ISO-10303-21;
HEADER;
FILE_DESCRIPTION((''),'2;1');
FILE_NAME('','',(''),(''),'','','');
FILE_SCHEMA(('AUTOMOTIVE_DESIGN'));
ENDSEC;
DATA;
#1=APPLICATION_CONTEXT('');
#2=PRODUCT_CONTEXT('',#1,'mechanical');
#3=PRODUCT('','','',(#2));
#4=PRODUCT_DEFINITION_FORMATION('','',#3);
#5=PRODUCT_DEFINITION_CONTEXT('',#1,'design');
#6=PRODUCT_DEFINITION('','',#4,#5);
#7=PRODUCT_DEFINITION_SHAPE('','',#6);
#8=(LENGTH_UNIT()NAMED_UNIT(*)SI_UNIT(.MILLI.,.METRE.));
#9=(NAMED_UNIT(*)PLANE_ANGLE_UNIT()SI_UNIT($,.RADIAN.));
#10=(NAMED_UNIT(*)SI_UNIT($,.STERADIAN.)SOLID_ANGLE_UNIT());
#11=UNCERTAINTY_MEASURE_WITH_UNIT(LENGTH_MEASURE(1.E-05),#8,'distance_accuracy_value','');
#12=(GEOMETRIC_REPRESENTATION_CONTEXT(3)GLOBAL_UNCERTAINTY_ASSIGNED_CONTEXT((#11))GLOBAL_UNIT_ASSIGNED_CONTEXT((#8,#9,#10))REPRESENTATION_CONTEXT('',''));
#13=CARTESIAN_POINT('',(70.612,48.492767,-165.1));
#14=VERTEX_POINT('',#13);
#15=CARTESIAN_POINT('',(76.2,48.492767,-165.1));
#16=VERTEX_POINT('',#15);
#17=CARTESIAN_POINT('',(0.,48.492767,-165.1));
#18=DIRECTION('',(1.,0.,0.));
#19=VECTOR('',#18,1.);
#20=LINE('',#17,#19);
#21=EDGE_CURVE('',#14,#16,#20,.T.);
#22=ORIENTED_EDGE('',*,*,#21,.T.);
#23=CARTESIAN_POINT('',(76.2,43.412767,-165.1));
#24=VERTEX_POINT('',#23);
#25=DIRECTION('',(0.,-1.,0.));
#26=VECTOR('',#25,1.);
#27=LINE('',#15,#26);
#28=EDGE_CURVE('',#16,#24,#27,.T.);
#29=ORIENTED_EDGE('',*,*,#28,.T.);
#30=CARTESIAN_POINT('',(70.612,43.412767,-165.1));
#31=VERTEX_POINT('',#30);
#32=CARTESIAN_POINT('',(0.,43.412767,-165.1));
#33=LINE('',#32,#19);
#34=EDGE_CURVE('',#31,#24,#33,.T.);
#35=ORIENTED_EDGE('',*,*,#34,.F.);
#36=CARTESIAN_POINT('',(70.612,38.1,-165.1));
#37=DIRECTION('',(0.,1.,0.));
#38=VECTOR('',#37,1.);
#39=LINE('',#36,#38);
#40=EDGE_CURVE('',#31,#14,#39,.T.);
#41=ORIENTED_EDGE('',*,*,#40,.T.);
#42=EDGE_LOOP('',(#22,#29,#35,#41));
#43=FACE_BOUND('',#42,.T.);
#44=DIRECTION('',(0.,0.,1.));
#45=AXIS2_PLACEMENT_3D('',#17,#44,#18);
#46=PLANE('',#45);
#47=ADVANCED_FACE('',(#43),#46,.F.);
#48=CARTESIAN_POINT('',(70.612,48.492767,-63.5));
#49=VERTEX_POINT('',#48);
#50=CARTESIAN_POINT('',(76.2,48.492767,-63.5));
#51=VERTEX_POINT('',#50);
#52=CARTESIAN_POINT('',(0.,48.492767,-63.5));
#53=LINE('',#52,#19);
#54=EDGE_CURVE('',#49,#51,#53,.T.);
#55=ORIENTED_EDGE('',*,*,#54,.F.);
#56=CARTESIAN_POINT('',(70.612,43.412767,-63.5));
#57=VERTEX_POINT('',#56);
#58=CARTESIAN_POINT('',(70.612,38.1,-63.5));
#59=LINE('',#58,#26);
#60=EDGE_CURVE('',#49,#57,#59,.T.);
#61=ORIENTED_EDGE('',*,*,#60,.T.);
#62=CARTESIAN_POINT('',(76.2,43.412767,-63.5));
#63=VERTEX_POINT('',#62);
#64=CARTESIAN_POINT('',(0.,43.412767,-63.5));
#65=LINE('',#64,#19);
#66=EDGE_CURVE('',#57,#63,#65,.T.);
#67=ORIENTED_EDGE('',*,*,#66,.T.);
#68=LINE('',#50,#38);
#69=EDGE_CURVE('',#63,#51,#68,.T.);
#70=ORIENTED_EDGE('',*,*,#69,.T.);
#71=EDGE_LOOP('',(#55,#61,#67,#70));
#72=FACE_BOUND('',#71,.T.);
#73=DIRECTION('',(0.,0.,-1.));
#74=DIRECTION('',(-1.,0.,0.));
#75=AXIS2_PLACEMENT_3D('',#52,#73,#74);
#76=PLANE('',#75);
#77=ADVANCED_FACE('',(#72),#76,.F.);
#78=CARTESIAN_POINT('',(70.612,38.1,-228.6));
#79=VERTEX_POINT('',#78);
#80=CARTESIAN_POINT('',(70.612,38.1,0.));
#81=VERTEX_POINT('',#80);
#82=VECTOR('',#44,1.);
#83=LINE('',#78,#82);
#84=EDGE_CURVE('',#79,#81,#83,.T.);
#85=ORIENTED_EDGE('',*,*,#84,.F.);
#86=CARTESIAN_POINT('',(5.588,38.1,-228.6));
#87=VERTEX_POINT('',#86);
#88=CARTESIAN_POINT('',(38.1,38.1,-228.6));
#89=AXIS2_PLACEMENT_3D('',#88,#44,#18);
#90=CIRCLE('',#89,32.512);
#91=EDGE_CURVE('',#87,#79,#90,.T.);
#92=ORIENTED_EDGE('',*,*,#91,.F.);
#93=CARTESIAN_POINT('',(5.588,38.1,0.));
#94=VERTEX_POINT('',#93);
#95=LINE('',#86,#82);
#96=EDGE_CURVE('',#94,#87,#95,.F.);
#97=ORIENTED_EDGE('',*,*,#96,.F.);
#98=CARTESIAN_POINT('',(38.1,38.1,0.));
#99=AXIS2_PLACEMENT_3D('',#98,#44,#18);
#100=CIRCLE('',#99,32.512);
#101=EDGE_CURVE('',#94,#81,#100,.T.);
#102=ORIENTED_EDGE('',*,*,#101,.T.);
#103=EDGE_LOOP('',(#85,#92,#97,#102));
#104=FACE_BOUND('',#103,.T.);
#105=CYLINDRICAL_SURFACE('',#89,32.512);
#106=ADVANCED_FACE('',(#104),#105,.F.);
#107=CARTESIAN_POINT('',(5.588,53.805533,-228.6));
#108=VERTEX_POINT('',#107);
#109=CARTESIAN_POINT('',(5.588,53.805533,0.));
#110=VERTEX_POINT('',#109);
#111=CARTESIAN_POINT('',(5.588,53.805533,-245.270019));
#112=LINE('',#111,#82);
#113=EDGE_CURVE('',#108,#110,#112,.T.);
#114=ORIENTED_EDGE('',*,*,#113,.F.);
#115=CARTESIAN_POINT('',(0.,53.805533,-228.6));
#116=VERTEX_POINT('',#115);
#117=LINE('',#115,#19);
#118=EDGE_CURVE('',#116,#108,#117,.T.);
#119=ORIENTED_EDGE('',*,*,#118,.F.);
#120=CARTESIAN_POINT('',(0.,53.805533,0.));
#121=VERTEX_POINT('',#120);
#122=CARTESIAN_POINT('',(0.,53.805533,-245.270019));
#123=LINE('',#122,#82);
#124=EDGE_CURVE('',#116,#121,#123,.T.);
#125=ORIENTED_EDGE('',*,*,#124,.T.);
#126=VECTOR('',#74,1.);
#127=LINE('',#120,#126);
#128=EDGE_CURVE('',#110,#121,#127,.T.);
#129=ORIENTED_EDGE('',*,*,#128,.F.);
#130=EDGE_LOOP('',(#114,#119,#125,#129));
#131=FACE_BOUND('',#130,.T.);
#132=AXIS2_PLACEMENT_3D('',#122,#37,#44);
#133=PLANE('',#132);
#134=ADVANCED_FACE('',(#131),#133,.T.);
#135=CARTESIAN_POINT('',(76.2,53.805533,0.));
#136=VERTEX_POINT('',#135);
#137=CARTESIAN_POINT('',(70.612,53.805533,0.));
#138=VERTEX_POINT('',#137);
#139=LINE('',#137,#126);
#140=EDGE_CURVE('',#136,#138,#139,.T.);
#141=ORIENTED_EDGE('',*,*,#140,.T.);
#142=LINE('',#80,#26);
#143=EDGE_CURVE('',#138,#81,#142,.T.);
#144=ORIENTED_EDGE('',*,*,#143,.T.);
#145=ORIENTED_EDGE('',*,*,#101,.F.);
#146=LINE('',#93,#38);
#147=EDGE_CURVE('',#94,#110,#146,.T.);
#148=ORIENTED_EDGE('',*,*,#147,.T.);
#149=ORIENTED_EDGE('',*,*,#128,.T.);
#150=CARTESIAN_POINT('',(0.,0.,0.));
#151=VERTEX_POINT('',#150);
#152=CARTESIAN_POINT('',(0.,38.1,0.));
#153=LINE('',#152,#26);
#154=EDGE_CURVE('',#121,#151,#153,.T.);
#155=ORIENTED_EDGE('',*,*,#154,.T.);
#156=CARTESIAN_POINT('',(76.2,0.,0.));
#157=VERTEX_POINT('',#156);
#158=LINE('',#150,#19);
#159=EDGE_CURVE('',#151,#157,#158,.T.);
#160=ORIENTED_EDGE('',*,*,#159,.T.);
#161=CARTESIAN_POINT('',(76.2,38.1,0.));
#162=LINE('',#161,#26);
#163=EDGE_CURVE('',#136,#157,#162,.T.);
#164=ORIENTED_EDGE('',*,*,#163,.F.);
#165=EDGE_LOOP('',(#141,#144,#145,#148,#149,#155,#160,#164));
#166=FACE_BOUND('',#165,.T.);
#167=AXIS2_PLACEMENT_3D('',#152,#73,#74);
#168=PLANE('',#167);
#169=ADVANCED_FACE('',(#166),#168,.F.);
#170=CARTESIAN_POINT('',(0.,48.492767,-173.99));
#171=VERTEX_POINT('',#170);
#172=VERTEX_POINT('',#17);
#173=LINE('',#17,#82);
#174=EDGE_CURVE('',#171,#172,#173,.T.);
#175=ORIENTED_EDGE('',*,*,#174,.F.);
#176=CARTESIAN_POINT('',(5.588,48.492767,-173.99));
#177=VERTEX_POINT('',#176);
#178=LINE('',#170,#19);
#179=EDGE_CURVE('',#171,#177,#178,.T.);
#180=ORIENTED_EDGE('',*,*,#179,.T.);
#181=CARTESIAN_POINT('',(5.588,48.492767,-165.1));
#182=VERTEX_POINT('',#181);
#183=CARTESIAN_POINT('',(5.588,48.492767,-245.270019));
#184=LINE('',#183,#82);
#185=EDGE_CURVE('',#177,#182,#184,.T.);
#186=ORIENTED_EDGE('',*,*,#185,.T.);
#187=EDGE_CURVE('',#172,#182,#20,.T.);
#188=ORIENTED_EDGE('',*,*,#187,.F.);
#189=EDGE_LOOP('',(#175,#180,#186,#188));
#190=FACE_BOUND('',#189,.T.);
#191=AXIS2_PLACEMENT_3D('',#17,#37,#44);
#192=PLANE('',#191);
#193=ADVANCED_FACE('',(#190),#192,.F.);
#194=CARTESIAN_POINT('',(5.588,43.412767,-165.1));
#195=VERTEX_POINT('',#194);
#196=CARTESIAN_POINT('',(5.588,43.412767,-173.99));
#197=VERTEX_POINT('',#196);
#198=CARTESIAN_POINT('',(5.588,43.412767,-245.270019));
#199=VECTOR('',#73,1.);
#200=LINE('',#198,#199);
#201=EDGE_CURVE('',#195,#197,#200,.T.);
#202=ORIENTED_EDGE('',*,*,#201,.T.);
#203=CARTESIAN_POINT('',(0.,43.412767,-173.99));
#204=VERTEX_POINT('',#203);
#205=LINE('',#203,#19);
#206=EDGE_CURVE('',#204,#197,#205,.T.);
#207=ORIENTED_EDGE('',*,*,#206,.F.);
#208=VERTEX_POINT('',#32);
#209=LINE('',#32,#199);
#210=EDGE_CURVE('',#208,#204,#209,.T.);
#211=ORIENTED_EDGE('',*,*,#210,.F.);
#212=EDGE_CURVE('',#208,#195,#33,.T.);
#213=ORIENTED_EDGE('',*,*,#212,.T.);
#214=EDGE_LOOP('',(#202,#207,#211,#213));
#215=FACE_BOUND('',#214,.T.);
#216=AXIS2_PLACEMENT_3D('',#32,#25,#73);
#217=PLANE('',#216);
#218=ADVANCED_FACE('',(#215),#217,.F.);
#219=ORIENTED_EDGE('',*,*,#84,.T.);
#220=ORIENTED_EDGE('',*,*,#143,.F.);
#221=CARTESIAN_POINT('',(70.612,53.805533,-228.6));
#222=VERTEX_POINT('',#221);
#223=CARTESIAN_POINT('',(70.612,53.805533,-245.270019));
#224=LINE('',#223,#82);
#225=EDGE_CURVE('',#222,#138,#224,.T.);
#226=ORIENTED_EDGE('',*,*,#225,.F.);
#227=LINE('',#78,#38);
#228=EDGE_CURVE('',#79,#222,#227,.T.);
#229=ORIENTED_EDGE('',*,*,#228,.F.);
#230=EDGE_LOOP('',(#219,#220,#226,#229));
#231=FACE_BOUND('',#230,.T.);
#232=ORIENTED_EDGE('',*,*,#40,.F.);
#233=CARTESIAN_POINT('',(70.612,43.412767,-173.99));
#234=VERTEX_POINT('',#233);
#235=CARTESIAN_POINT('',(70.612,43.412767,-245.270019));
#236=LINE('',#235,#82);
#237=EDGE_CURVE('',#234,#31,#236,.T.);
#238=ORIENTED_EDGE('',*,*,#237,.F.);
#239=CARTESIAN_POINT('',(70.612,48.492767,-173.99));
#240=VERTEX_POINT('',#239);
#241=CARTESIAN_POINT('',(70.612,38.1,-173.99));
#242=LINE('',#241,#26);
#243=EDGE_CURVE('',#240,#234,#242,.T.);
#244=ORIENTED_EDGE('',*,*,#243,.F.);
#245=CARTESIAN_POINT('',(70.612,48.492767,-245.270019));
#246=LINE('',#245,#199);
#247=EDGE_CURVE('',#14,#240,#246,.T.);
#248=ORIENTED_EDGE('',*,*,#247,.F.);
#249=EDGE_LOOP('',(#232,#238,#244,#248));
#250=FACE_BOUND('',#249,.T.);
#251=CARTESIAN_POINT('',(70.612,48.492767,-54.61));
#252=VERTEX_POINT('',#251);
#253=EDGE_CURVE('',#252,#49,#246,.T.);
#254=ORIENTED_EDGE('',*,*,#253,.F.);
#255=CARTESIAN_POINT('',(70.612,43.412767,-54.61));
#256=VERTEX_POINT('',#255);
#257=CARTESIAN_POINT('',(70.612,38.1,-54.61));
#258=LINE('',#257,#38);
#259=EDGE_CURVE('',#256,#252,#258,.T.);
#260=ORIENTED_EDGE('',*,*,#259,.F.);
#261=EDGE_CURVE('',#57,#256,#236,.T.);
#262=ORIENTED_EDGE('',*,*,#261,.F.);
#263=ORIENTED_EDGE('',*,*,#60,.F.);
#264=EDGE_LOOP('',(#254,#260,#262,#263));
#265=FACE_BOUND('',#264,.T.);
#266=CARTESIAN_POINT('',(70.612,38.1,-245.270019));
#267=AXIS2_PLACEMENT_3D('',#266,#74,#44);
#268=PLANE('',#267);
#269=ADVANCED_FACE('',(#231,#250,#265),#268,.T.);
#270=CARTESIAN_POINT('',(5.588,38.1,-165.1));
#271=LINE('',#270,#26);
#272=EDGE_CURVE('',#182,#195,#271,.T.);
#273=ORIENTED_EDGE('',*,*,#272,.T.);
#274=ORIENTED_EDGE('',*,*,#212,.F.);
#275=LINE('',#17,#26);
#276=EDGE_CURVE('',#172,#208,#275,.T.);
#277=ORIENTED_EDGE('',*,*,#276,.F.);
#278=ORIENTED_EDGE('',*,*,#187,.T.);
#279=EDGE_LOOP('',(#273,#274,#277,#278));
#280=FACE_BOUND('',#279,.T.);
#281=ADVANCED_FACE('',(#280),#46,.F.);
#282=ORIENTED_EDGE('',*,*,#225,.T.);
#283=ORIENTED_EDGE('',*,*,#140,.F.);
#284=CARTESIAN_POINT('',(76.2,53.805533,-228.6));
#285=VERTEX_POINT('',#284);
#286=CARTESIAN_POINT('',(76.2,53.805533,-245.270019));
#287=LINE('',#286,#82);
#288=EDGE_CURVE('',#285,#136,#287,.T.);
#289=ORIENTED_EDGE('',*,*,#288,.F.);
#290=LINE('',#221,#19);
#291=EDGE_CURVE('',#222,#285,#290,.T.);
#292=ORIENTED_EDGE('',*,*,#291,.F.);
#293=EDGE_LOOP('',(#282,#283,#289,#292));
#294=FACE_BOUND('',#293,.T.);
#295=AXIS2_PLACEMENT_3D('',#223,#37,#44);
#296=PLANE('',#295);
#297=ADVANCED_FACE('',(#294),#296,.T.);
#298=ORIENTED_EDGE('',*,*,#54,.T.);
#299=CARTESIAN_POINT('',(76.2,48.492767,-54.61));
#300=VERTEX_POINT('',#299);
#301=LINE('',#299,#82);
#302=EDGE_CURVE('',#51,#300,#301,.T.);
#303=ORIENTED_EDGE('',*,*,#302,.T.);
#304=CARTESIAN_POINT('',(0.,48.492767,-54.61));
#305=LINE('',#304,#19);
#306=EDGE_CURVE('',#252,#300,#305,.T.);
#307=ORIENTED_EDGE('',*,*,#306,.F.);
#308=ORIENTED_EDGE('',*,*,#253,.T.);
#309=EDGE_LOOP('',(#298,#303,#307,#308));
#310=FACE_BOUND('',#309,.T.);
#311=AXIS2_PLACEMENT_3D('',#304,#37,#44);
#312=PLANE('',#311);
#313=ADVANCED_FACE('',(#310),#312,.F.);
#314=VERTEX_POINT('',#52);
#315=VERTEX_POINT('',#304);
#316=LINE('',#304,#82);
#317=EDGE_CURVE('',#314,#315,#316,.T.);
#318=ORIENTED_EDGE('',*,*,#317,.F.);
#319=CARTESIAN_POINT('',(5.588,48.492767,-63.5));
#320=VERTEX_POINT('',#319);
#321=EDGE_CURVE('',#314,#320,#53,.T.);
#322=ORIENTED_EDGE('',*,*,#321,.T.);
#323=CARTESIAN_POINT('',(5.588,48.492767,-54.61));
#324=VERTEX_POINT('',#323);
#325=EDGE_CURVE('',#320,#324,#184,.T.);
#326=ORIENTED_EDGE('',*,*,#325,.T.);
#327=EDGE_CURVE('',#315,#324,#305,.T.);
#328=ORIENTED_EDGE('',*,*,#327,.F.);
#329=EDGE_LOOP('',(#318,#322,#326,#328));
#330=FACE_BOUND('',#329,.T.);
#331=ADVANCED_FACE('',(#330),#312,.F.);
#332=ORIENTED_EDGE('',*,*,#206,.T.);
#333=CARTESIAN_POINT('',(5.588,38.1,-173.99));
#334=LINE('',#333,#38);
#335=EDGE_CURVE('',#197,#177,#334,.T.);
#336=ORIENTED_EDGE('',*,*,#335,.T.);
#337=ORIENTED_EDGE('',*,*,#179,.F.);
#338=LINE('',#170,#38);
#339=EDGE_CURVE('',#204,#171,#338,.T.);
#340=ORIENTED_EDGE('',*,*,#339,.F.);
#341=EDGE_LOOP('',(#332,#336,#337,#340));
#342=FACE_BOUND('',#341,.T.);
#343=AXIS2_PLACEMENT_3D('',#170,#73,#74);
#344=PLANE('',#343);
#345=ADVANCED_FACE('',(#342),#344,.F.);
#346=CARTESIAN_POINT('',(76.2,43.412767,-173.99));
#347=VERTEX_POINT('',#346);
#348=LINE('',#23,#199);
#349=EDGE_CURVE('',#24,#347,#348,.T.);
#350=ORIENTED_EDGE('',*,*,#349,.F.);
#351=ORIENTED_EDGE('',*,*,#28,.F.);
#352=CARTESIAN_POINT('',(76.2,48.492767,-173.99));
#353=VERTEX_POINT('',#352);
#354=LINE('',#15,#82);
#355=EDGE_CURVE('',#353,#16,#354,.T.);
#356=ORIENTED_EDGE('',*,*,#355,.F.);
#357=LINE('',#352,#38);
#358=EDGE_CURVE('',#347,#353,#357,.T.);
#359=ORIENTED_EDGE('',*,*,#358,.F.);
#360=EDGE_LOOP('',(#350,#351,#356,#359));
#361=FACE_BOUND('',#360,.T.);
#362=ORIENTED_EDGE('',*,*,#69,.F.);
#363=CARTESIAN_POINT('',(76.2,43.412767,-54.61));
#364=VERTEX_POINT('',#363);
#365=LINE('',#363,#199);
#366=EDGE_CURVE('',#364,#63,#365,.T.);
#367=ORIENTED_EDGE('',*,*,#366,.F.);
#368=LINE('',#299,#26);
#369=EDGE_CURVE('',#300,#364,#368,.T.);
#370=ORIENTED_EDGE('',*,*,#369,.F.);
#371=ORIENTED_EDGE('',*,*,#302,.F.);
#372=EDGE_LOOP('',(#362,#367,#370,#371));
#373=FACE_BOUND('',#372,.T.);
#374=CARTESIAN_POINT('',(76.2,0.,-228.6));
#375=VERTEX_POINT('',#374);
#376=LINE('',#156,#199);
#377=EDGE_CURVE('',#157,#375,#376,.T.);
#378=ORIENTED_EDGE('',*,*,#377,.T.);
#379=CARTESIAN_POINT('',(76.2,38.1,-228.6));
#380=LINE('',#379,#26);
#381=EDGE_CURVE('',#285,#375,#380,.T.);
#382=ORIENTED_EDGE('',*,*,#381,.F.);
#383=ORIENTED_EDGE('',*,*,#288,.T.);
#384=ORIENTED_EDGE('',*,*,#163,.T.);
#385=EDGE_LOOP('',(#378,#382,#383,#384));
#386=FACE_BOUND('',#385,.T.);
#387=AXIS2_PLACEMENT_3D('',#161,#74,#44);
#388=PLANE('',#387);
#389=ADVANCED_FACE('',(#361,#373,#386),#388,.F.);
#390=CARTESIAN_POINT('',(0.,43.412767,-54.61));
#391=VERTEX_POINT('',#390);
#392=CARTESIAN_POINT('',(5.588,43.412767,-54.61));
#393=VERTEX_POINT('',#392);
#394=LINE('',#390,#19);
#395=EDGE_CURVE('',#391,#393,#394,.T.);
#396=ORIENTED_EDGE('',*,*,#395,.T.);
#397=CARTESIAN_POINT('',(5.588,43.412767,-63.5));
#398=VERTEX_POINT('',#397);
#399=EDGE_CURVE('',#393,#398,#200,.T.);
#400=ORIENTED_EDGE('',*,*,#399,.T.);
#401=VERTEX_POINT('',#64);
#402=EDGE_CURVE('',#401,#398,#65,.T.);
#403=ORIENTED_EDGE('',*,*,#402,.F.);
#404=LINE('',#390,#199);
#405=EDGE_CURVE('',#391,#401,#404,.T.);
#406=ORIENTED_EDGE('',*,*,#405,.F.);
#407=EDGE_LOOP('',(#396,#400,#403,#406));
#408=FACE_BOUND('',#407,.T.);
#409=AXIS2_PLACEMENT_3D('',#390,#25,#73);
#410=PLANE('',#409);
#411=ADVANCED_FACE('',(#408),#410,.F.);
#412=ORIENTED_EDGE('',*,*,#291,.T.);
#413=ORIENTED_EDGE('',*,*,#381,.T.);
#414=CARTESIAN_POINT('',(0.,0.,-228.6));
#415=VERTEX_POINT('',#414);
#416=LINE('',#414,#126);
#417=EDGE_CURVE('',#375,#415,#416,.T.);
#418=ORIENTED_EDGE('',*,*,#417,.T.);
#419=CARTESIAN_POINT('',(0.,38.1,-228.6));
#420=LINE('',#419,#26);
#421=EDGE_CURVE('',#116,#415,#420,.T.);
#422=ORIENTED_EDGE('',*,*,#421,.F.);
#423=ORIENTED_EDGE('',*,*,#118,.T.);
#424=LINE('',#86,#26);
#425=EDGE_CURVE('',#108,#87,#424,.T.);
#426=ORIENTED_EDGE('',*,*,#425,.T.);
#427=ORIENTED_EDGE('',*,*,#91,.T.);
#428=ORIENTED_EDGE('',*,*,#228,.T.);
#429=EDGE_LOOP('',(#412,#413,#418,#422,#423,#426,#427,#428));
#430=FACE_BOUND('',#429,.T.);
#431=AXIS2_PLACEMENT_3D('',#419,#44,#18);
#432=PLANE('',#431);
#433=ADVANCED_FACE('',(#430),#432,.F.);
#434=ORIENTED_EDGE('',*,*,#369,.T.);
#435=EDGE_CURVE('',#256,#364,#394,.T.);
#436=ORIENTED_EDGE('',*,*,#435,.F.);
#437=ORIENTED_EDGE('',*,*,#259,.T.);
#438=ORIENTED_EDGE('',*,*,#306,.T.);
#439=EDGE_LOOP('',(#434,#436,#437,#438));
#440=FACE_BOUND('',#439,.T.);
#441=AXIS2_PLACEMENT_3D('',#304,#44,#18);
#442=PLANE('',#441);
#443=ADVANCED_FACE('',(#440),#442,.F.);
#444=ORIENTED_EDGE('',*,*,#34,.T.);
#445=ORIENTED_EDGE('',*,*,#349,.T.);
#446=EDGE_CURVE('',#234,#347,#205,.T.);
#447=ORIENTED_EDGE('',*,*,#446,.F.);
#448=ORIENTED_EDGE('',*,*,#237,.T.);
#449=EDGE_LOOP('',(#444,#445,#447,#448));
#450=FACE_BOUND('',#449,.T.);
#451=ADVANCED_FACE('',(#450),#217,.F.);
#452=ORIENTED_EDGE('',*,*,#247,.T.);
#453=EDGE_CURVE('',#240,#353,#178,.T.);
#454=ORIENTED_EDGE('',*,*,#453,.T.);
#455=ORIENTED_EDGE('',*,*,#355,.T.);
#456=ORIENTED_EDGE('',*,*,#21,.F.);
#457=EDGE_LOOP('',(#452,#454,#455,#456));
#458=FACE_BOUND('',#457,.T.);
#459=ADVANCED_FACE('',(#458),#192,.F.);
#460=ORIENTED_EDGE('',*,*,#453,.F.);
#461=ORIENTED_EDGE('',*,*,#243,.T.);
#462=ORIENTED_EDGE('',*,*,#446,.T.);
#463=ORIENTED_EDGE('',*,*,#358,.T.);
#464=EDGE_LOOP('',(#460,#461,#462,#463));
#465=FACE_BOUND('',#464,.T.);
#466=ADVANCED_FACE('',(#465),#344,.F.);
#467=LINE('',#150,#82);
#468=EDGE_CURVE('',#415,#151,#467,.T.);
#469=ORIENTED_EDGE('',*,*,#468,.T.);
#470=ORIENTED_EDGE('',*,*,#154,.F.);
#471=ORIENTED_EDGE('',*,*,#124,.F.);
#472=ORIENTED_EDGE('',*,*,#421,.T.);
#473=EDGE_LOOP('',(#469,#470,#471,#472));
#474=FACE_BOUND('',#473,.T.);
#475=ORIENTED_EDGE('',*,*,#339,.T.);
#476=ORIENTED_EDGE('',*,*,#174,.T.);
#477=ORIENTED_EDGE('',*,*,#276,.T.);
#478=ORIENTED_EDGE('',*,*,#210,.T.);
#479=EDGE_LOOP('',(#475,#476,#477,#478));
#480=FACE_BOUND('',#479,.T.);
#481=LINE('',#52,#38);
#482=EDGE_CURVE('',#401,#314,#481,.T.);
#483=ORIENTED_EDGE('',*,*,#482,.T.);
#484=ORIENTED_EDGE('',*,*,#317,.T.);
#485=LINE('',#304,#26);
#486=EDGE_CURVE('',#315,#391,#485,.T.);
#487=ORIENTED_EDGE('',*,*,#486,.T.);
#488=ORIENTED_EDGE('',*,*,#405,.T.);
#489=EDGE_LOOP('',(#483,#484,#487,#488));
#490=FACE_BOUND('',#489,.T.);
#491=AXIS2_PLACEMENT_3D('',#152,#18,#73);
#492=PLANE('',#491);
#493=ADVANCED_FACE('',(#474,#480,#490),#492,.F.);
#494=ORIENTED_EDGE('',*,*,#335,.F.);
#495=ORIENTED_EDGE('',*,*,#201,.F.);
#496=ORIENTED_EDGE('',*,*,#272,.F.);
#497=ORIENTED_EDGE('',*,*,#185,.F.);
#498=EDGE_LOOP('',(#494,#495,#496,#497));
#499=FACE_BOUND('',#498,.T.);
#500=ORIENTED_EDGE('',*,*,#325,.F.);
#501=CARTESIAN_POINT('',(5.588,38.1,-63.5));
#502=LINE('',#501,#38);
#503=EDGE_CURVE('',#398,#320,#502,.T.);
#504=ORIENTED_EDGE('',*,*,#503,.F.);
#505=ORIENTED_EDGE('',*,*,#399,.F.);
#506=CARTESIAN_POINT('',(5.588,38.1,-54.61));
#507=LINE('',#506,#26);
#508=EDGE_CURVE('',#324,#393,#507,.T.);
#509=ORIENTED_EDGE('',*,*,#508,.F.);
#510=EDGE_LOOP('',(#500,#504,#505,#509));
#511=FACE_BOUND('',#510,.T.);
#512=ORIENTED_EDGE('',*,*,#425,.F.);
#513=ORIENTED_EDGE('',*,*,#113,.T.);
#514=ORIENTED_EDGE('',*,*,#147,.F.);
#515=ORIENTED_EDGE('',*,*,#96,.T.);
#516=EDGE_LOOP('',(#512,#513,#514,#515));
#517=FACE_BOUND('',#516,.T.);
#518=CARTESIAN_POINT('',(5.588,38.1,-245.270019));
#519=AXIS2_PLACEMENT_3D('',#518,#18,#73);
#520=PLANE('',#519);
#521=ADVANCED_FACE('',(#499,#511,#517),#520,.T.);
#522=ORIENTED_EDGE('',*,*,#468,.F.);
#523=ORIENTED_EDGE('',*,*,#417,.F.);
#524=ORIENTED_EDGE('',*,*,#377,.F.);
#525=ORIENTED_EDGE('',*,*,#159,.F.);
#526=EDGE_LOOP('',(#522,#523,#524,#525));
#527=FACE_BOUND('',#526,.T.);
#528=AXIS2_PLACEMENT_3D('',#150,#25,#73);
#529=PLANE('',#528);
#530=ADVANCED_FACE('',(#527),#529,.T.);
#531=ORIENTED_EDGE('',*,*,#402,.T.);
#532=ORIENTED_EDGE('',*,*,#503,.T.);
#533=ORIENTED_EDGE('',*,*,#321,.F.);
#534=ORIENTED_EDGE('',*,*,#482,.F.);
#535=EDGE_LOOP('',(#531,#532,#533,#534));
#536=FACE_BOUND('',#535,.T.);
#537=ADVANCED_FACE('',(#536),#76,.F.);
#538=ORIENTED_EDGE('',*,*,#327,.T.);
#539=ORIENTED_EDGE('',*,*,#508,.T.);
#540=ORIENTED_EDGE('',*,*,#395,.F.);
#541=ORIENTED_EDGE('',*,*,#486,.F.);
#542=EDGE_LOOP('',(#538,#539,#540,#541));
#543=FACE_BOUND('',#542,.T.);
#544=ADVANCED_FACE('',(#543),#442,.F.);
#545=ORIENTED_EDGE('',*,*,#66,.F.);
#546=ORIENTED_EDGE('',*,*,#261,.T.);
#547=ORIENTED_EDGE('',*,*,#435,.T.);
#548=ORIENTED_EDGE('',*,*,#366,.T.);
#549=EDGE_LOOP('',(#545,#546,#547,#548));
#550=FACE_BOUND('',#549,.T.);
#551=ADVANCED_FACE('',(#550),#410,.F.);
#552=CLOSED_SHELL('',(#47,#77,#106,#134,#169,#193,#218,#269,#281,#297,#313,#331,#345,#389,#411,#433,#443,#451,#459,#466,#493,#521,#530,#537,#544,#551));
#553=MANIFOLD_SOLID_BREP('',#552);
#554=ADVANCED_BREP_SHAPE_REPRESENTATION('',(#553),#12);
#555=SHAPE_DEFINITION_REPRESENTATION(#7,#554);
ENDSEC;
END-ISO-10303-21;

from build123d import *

# Parameters (mm, degrees)
SKETCH1_W           = 76.2
SKETCH1_H           = 228.6
BOSS_EXTRUDE1_DEPTH = 38.1
SKETCH2_R           = 32.512
CUT_EXTRUDE2_DEPTH  = 244.959033446
SKETCH3_W           = 5.588
SKETCH3_H           = 15.705533419
BOSS_EXTRUDE2_DEPTH = 228.6
SKETCH4_W           = 8.89
SKETCH4_H           = 5.08
CUT_EXTRUDE3_DEPTH  = 247.899646469


with BuildPart() as part:
    # Sketch1 → Boss-Extrude1 (new body)
    with BuildSketch(Plane(origin=(0, 0, 0), x_dir=(1, 0, 0), z_dir=(0, 1, 0))):
        with Locations((38.1, 114.3)):
            Rectangle(SKETCH1_W, SKETCH1_H)
    extrude(amount=BOSS_EXTRUDE1_DEPTH)

    # Sketch2 → Cut-Extrude2 (cut, through all)
    with BuildSketch(Plane.XY):
        with Locations((38.1, 38.1)):
            Circle(SKETCH2_R)
    extrude(amount=-CUT_EXTRUDE2_DEPTH, mode=Mode.SUBTRACT)

    # Sketch3 → Boss-Extrude2 (add)
    with BuildSketch(Plane.XY):
        with Locations((2.794, 45.95276671)):
            Rectangle(SKETCH3_W, SKETCH3_H)
        with Locations((73.406, 45.95276671)):
            Rectangle(SKETCH3_W, SKETCH3_H)
    extrude(amount=-BOSS_EXTRUDE2_DEPTH)

    # Sketch4 → Cut-Extrude3 (cut, through all)
    with BuildSketch(Plane(origin=(76.2, 0, 0), x_dir=(0, 0, -1), z_dir=(1, 0, 0))):
        with Locations((59.055, 45.95276671)):
            Rectangle(SKETCH4_W, SKETCH4_H)
        with Locations((169.545, 45.95276671)):
            Rectangle(SKETCH4_W, SKETCH4_H)
    extrude(amount=-CUT_EXTRUDE3_DEPTH, mode=Mode.SUBTRACT)


solid = part.part
